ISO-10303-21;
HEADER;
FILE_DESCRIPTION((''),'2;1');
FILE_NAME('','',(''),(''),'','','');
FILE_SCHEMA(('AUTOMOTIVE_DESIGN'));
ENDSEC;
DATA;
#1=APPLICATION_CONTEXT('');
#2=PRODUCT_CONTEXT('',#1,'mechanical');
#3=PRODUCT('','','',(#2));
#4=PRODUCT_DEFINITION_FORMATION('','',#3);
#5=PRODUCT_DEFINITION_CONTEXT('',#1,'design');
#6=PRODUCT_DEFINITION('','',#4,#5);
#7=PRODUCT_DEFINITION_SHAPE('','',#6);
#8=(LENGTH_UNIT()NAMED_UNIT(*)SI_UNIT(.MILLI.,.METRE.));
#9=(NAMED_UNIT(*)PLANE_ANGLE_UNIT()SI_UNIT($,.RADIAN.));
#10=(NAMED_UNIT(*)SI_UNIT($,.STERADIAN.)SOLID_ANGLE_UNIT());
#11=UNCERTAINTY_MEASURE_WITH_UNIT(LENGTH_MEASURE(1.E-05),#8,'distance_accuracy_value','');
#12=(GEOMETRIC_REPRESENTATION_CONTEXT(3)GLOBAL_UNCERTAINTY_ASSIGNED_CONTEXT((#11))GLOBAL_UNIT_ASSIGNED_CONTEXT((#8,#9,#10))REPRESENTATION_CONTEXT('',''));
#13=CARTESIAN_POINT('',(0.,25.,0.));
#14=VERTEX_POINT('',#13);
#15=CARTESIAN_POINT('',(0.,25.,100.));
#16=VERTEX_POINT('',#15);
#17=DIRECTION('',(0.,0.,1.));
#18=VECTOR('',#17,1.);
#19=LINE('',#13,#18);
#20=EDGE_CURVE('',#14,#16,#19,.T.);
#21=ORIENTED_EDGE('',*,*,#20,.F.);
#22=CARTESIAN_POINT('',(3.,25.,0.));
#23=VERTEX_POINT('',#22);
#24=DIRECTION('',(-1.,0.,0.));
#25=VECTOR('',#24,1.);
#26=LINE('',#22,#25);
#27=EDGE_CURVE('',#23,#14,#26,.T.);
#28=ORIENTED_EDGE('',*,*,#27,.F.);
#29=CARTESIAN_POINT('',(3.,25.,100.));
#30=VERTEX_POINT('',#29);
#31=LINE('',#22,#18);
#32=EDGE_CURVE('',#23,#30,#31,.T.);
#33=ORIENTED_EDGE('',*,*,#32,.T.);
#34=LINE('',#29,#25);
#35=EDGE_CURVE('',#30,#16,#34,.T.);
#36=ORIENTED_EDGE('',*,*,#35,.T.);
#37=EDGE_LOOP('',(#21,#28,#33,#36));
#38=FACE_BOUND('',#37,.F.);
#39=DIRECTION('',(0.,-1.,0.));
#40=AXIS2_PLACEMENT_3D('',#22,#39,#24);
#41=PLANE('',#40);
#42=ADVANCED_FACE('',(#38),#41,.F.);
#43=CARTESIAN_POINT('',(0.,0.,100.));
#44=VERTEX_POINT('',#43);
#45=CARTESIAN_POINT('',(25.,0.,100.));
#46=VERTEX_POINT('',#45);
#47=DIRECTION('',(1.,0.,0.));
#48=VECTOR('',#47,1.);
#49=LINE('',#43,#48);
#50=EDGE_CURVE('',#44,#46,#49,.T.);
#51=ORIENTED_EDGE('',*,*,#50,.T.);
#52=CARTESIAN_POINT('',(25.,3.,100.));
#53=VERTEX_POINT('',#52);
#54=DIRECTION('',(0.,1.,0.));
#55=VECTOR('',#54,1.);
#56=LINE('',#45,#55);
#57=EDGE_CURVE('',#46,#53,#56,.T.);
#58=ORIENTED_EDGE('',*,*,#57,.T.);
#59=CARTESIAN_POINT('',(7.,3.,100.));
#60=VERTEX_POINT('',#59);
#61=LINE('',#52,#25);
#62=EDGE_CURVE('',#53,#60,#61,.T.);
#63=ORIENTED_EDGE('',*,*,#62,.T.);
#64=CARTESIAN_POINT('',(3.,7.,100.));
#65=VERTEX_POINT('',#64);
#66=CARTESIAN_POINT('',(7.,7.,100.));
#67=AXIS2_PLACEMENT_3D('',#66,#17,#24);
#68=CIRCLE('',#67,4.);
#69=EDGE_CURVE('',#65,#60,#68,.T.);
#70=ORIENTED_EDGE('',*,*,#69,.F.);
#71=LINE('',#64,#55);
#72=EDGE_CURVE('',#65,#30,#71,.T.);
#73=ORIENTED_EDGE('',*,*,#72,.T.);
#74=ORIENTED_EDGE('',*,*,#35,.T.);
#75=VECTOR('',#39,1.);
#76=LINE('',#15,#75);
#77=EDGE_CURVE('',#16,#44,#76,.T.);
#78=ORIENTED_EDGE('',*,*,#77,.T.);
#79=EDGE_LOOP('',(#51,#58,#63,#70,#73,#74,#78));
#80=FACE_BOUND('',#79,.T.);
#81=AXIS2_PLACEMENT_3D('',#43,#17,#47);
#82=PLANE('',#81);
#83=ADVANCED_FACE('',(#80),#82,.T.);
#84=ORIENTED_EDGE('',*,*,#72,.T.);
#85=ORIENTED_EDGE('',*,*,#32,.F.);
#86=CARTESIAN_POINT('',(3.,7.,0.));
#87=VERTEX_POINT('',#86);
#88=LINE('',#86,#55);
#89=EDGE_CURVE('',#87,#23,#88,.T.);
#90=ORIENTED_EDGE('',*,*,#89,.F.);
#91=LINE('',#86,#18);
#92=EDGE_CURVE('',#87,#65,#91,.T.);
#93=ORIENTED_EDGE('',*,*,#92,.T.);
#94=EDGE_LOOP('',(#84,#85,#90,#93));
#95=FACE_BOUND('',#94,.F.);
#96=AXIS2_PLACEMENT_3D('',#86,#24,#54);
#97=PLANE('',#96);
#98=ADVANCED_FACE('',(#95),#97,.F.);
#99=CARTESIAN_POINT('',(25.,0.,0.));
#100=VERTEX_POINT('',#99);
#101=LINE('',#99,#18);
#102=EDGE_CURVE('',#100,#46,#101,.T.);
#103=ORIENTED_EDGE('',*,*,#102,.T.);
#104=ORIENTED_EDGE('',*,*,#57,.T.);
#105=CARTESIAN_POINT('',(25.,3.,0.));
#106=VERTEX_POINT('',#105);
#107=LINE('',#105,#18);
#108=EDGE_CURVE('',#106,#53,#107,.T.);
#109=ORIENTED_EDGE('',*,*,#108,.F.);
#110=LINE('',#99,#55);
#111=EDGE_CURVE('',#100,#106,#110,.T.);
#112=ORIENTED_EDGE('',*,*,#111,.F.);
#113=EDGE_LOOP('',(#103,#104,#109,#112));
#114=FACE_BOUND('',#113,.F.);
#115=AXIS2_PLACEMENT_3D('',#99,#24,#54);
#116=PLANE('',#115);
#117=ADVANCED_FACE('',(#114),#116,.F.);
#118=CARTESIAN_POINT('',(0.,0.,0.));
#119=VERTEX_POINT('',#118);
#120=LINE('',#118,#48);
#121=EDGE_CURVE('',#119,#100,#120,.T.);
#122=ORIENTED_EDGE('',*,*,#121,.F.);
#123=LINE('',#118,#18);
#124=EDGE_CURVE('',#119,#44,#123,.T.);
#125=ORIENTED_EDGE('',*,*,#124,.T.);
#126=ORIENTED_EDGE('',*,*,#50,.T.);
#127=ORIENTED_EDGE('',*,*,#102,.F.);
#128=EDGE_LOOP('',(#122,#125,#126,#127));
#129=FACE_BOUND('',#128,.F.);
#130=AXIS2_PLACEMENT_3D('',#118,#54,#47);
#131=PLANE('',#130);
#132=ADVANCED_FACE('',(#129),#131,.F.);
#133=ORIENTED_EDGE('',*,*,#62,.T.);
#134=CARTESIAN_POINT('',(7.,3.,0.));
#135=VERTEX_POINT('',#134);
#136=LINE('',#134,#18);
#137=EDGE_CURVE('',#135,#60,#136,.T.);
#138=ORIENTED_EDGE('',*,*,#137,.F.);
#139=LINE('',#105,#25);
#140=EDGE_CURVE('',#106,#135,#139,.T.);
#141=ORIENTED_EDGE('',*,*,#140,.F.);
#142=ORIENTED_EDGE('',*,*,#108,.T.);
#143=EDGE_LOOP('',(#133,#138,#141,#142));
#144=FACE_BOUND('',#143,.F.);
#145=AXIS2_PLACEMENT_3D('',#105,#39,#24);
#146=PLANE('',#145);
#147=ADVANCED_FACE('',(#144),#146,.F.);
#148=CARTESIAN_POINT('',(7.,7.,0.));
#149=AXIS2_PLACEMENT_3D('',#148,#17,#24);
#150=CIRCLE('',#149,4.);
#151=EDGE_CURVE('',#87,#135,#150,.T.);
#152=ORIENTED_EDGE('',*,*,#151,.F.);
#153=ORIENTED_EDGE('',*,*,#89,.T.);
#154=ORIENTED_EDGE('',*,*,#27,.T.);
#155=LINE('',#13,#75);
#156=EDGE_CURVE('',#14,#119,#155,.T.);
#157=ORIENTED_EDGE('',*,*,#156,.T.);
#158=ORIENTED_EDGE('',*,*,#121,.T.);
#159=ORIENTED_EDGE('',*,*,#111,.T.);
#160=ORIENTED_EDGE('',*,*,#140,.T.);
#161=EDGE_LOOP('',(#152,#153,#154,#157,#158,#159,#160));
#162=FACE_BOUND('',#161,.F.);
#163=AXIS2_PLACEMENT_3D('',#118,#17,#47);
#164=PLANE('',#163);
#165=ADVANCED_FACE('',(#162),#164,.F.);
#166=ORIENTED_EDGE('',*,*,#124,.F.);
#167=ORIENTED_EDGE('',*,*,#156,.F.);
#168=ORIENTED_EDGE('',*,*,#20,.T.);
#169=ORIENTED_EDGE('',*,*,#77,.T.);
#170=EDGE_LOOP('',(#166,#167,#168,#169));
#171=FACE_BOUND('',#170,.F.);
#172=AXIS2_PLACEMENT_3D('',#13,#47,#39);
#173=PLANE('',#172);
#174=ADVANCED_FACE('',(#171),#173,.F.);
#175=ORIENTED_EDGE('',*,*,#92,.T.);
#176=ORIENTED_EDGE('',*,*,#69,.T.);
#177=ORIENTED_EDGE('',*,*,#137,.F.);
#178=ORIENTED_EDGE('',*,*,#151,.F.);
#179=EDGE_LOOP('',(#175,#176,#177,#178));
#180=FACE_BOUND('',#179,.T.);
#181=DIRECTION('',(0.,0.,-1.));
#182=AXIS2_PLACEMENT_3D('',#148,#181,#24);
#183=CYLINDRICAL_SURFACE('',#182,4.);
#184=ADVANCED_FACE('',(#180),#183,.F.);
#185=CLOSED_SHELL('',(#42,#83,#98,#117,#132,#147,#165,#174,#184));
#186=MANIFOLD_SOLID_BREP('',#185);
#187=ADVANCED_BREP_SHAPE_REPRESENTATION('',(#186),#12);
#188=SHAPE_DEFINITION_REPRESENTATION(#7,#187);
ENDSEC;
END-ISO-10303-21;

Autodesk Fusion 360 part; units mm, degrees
sketch "スケッチ1" plane through (0, 0, 0) normal (0, 0, 1) x (1, 0, 0)
  line L0 (0, 25) -> (0, 0)
  line L1 (3, 7) -> (3, 25)
  arc A0 (3, 7) -> (7, 3) centre (7, 7) ccw
  line L2 (0, 0) -> (25, 0)
  line L3 (25, 3) -> (7, 3)
  line L4 (25, 0) -> (25, 3)
  line L5 (3, 25) -> (0, 25)
extrude "押し出し1" add sketch "スケッチ1" along normal blind 100
